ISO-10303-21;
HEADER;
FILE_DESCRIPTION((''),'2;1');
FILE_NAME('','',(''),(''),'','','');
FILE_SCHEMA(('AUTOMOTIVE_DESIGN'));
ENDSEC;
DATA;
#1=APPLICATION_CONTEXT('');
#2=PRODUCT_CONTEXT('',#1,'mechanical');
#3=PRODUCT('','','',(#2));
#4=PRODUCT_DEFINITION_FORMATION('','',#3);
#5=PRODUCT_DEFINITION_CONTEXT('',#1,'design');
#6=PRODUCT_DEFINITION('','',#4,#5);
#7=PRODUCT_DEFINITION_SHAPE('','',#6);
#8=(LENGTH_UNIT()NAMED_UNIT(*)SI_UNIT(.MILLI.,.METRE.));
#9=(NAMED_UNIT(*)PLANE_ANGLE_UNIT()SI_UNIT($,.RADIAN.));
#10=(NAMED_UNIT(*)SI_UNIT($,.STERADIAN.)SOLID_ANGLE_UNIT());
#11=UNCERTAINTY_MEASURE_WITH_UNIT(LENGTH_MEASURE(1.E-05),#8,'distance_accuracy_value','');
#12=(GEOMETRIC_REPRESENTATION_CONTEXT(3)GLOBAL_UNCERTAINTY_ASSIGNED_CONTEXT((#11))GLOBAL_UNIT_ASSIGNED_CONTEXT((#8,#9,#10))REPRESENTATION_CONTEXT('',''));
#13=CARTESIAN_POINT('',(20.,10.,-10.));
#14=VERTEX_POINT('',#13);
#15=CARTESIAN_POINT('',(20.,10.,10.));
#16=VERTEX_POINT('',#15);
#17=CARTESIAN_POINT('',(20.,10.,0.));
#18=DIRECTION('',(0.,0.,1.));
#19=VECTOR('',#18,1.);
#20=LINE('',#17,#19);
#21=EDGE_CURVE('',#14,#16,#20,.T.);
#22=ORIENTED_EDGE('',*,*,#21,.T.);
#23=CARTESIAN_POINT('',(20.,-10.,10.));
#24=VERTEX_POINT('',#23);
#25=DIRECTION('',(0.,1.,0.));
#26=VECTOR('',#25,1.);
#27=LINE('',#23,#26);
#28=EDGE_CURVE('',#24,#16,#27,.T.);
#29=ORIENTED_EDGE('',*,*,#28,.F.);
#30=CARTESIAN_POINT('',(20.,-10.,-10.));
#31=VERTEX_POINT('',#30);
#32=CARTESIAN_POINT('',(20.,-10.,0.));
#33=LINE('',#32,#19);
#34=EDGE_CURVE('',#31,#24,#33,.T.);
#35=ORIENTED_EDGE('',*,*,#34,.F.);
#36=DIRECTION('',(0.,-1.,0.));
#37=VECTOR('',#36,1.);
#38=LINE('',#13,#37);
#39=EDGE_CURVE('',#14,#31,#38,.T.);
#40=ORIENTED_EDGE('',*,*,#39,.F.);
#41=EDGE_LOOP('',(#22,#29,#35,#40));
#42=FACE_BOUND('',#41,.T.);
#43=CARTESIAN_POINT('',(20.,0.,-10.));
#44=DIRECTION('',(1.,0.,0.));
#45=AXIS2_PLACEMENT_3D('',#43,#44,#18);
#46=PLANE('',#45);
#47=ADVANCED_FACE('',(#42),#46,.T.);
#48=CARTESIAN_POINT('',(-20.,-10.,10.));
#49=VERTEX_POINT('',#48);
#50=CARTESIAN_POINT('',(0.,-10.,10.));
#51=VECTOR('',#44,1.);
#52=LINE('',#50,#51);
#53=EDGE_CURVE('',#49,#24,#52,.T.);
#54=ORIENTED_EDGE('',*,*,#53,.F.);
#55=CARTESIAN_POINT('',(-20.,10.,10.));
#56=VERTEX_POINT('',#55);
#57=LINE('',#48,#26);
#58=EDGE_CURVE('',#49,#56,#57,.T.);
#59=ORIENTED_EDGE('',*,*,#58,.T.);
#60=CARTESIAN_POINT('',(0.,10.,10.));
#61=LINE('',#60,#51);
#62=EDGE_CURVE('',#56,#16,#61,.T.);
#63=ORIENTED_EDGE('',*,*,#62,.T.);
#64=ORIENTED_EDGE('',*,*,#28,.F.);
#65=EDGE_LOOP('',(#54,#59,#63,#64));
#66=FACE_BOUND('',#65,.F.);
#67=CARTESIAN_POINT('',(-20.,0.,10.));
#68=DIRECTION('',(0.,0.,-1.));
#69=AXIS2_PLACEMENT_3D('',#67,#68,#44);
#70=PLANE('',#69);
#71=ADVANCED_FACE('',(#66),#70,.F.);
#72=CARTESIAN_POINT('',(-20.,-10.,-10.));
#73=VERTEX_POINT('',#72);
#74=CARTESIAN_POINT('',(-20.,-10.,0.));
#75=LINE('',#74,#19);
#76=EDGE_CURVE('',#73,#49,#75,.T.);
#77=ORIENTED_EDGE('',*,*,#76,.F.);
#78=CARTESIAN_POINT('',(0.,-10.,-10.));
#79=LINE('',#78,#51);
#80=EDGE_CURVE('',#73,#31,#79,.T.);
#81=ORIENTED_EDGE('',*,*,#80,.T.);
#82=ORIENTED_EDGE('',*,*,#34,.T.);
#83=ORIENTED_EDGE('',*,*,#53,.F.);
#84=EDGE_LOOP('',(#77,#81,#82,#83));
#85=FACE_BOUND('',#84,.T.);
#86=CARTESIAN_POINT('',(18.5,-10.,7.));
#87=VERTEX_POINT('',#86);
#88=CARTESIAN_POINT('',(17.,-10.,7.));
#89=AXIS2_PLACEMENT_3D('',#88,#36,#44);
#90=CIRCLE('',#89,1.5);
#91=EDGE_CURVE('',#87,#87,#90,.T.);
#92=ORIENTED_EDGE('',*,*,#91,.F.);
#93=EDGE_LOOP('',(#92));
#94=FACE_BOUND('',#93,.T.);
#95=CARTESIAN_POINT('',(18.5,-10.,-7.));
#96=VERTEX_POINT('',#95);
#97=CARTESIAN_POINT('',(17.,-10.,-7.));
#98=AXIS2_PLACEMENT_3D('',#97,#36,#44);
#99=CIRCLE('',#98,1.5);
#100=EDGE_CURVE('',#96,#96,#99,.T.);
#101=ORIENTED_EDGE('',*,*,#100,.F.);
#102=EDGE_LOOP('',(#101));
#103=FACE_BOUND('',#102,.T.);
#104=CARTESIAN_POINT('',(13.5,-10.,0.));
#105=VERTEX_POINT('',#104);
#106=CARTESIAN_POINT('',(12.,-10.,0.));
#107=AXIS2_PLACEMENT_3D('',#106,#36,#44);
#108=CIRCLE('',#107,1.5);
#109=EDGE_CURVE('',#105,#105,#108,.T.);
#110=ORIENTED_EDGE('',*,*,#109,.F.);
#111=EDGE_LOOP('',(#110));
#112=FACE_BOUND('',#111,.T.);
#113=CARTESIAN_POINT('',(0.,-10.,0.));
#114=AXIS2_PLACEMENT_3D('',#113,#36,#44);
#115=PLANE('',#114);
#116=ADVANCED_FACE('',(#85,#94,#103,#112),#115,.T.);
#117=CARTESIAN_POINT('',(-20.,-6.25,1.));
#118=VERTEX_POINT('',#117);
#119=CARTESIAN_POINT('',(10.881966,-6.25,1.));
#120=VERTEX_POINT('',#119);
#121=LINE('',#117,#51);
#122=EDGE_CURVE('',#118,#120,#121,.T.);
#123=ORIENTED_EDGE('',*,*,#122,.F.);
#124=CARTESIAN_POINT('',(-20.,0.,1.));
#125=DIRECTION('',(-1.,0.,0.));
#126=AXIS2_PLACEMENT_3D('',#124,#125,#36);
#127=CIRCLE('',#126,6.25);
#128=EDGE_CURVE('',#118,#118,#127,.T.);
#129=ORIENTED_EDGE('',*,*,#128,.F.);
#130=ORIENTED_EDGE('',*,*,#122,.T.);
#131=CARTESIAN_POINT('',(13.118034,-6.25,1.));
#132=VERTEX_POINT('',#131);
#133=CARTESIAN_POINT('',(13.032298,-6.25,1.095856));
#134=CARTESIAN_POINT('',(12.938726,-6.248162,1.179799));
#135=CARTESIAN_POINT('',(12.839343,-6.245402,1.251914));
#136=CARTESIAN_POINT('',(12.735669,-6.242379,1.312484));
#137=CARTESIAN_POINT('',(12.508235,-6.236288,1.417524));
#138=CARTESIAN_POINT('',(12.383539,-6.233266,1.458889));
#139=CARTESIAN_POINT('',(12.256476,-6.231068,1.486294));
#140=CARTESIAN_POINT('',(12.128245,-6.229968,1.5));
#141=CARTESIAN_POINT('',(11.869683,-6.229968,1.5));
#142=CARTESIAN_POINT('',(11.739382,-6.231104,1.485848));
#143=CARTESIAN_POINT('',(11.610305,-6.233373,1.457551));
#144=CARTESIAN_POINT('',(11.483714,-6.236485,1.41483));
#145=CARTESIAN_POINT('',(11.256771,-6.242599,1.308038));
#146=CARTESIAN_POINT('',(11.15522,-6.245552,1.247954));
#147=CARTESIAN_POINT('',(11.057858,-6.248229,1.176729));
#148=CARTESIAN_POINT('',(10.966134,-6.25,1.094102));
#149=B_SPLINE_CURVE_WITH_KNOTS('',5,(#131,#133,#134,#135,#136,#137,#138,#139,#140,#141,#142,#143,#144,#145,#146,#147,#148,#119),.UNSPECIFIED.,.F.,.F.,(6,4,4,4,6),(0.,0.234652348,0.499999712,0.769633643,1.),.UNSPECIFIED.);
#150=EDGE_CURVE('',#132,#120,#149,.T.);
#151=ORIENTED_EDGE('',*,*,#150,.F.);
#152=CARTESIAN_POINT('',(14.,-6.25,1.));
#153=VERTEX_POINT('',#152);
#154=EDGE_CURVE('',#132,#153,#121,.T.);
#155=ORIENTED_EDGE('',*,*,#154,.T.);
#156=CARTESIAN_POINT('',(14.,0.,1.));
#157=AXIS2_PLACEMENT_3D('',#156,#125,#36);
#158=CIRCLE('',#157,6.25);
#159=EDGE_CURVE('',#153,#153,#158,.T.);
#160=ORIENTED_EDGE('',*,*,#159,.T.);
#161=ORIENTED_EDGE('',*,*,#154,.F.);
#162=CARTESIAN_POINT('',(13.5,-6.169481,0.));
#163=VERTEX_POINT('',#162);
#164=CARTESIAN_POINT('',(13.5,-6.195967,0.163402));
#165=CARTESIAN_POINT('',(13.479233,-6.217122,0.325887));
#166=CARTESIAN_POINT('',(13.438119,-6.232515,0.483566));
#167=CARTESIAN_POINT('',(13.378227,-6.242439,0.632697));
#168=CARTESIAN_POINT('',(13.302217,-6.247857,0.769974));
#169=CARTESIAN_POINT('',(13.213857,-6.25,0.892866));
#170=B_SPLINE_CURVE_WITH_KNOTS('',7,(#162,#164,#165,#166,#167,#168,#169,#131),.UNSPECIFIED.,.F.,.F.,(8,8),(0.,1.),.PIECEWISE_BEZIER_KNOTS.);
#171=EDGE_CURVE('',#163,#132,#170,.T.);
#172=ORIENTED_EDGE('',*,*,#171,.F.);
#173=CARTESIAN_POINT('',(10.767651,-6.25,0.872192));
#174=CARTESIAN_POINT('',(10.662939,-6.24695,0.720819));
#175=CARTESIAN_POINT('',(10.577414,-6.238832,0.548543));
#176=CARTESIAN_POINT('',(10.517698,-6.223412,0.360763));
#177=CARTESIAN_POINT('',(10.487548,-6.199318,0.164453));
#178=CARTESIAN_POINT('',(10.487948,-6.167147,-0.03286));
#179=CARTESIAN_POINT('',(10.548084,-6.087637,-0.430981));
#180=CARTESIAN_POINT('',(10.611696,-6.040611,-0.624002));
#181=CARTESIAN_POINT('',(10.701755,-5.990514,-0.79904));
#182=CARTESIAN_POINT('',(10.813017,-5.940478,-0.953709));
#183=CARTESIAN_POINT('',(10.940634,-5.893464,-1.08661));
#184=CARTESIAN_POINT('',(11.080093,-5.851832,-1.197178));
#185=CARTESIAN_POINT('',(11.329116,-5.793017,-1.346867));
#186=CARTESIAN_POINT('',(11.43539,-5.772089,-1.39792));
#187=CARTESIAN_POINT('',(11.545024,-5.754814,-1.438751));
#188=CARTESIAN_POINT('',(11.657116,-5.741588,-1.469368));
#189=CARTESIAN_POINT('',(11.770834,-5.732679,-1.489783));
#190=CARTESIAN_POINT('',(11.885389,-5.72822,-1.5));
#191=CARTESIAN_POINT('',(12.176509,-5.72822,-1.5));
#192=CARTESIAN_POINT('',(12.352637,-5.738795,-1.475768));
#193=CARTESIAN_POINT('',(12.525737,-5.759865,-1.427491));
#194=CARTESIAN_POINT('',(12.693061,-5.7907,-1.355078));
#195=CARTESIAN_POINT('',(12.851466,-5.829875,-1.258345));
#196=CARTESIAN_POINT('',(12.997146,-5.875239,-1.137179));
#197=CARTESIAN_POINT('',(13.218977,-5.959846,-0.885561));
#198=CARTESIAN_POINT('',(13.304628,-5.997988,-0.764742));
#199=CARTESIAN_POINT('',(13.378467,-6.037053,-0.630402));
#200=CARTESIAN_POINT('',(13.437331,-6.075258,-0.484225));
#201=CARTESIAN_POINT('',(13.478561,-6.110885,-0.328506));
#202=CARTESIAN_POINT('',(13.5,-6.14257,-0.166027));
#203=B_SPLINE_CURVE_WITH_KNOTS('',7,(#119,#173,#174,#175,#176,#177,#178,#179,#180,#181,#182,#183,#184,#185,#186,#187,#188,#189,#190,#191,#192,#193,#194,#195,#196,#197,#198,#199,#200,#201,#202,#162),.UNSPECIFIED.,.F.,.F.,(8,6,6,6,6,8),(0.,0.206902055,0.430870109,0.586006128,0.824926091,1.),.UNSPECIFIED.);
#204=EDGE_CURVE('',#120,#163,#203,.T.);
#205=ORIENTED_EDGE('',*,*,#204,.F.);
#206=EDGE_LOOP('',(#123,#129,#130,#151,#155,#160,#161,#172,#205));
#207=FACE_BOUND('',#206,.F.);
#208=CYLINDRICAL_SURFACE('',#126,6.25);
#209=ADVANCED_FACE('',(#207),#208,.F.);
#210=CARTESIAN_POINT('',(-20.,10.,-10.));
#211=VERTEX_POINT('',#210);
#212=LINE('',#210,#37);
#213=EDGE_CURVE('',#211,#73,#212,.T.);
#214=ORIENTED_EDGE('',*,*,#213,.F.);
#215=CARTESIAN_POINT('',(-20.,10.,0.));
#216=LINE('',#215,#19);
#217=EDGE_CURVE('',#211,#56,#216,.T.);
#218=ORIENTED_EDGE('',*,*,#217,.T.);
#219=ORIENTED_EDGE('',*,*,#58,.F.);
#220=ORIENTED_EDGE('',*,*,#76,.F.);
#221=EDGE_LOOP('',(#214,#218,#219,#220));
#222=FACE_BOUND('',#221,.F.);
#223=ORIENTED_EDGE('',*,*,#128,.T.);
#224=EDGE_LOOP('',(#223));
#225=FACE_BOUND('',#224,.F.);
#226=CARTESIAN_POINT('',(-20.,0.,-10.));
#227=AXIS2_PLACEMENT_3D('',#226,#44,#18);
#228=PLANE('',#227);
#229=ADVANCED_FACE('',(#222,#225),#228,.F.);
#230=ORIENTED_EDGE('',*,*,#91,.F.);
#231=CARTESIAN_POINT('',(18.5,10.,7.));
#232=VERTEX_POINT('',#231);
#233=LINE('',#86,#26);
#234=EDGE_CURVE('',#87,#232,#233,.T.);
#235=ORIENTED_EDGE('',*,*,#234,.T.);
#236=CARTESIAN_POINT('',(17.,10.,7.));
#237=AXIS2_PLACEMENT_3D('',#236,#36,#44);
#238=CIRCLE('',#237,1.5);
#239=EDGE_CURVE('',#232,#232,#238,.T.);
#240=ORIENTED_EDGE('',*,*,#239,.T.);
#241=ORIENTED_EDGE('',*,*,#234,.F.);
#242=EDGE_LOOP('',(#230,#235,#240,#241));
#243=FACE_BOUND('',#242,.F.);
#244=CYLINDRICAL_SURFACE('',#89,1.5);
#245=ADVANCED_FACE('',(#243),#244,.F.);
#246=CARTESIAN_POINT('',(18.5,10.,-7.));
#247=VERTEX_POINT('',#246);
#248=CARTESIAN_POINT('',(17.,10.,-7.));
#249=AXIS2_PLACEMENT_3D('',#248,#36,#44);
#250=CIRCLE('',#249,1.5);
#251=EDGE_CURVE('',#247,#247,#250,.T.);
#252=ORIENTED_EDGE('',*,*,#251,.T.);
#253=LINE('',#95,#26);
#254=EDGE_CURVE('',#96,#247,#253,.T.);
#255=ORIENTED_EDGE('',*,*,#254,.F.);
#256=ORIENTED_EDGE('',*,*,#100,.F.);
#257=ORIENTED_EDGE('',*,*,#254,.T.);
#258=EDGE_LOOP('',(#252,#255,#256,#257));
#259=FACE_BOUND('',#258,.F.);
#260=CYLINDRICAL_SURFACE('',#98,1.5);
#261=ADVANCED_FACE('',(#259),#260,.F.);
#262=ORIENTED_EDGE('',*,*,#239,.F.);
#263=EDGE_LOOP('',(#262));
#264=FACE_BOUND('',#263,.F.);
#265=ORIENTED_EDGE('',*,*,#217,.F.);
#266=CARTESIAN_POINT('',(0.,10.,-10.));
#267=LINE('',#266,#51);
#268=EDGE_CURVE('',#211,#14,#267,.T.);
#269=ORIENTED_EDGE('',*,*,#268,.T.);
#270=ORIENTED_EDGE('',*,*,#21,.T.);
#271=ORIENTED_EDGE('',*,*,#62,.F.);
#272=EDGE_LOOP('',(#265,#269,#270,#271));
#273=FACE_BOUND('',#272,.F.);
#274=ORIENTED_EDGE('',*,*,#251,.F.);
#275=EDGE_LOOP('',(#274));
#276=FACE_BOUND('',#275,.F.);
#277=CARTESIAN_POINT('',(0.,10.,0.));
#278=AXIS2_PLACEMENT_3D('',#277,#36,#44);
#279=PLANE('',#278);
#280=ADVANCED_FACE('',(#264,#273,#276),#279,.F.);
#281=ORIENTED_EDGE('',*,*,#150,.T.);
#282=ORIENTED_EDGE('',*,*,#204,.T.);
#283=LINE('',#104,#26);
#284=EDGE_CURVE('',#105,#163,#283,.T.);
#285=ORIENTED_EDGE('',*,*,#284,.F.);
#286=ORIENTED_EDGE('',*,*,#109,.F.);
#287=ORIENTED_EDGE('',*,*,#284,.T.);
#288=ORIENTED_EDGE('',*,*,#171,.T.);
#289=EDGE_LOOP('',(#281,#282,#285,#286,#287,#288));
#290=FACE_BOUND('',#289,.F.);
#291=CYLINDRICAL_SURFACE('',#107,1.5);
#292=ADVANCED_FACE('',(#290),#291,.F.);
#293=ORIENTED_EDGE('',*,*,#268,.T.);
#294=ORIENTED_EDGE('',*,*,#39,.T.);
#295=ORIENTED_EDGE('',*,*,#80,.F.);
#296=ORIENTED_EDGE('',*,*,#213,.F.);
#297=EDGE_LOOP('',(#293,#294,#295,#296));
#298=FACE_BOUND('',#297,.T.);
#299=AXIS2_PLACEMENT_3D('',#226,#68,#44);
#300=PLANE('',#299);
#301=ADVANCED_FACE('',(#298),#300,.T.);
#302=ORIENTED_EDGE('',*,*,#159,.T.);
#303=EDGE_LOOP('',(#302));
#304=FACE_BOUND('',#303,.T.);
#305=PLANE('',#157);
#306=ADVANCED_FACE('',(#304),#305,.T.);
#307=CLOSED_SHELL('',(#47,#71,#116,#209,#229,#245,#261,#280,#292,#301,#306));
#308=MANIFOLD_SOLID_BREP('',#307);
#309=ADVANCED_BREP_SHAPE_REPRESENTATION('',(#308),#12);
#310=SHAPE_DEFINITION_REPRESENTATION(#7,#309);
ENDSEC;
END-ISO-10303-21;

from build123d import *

# Parameters (mm, degrees)
F0_W          = 40
F0_H          = 20
F1_DEPTH      = 10
F1_DEPTH_BACK = 10
F2_R          = 6.25
F3_DEPTH      = 34
F4_R          = 1.5
F5_DEPTH      = 20.001
F6_R          = 1.5
F7_DEPTH      = 4.2727804813


with BuildPart() as f1:
    # F0 (on Front) → F1 (new body, two sides)
    with BuildSketch(Plane.XZ) as f1_sk:
        Rectangle(F0_W, F0_H)
    extrude(amount=F1_DEPTH)
    extrude(f1_sk.sketch, amount=-F1_DEPTH_BACK)

    # F2 (on face) → F3 (cut)
    with BuildSketch(Plane(origin=(-20, 0, 0), x_dir=(0, -1, 0), z_dir=(-1, 0, 0))):
        with Locations((0, 1)):
            Circle(F2_R)
    extrude(amount=-F3_DEPTH, mode=Mode.SUBTRACT)

    # F4 (on face) → F5 (cut, through all)
    with BuildSketch(Plane.XZ.offset(10)):
        with Locations((17, 7)):
            Circle(F4_R)
        with Locations((17, -7)):
            Circle(F4_R)
    extrude(amount=-F5_DEPTH, mode=Mode.SUBTRACT)

    # F6 (on face) → F7 (cut, through all)
    with BuildSketch(Plane.XZ.offset(10)):
        with Locations((12, 0)):
            Circle(F6_R)
    extrude(amount=-F7_DEPTH, mode=Mode.SUBTRACT)


solid = f1.part
